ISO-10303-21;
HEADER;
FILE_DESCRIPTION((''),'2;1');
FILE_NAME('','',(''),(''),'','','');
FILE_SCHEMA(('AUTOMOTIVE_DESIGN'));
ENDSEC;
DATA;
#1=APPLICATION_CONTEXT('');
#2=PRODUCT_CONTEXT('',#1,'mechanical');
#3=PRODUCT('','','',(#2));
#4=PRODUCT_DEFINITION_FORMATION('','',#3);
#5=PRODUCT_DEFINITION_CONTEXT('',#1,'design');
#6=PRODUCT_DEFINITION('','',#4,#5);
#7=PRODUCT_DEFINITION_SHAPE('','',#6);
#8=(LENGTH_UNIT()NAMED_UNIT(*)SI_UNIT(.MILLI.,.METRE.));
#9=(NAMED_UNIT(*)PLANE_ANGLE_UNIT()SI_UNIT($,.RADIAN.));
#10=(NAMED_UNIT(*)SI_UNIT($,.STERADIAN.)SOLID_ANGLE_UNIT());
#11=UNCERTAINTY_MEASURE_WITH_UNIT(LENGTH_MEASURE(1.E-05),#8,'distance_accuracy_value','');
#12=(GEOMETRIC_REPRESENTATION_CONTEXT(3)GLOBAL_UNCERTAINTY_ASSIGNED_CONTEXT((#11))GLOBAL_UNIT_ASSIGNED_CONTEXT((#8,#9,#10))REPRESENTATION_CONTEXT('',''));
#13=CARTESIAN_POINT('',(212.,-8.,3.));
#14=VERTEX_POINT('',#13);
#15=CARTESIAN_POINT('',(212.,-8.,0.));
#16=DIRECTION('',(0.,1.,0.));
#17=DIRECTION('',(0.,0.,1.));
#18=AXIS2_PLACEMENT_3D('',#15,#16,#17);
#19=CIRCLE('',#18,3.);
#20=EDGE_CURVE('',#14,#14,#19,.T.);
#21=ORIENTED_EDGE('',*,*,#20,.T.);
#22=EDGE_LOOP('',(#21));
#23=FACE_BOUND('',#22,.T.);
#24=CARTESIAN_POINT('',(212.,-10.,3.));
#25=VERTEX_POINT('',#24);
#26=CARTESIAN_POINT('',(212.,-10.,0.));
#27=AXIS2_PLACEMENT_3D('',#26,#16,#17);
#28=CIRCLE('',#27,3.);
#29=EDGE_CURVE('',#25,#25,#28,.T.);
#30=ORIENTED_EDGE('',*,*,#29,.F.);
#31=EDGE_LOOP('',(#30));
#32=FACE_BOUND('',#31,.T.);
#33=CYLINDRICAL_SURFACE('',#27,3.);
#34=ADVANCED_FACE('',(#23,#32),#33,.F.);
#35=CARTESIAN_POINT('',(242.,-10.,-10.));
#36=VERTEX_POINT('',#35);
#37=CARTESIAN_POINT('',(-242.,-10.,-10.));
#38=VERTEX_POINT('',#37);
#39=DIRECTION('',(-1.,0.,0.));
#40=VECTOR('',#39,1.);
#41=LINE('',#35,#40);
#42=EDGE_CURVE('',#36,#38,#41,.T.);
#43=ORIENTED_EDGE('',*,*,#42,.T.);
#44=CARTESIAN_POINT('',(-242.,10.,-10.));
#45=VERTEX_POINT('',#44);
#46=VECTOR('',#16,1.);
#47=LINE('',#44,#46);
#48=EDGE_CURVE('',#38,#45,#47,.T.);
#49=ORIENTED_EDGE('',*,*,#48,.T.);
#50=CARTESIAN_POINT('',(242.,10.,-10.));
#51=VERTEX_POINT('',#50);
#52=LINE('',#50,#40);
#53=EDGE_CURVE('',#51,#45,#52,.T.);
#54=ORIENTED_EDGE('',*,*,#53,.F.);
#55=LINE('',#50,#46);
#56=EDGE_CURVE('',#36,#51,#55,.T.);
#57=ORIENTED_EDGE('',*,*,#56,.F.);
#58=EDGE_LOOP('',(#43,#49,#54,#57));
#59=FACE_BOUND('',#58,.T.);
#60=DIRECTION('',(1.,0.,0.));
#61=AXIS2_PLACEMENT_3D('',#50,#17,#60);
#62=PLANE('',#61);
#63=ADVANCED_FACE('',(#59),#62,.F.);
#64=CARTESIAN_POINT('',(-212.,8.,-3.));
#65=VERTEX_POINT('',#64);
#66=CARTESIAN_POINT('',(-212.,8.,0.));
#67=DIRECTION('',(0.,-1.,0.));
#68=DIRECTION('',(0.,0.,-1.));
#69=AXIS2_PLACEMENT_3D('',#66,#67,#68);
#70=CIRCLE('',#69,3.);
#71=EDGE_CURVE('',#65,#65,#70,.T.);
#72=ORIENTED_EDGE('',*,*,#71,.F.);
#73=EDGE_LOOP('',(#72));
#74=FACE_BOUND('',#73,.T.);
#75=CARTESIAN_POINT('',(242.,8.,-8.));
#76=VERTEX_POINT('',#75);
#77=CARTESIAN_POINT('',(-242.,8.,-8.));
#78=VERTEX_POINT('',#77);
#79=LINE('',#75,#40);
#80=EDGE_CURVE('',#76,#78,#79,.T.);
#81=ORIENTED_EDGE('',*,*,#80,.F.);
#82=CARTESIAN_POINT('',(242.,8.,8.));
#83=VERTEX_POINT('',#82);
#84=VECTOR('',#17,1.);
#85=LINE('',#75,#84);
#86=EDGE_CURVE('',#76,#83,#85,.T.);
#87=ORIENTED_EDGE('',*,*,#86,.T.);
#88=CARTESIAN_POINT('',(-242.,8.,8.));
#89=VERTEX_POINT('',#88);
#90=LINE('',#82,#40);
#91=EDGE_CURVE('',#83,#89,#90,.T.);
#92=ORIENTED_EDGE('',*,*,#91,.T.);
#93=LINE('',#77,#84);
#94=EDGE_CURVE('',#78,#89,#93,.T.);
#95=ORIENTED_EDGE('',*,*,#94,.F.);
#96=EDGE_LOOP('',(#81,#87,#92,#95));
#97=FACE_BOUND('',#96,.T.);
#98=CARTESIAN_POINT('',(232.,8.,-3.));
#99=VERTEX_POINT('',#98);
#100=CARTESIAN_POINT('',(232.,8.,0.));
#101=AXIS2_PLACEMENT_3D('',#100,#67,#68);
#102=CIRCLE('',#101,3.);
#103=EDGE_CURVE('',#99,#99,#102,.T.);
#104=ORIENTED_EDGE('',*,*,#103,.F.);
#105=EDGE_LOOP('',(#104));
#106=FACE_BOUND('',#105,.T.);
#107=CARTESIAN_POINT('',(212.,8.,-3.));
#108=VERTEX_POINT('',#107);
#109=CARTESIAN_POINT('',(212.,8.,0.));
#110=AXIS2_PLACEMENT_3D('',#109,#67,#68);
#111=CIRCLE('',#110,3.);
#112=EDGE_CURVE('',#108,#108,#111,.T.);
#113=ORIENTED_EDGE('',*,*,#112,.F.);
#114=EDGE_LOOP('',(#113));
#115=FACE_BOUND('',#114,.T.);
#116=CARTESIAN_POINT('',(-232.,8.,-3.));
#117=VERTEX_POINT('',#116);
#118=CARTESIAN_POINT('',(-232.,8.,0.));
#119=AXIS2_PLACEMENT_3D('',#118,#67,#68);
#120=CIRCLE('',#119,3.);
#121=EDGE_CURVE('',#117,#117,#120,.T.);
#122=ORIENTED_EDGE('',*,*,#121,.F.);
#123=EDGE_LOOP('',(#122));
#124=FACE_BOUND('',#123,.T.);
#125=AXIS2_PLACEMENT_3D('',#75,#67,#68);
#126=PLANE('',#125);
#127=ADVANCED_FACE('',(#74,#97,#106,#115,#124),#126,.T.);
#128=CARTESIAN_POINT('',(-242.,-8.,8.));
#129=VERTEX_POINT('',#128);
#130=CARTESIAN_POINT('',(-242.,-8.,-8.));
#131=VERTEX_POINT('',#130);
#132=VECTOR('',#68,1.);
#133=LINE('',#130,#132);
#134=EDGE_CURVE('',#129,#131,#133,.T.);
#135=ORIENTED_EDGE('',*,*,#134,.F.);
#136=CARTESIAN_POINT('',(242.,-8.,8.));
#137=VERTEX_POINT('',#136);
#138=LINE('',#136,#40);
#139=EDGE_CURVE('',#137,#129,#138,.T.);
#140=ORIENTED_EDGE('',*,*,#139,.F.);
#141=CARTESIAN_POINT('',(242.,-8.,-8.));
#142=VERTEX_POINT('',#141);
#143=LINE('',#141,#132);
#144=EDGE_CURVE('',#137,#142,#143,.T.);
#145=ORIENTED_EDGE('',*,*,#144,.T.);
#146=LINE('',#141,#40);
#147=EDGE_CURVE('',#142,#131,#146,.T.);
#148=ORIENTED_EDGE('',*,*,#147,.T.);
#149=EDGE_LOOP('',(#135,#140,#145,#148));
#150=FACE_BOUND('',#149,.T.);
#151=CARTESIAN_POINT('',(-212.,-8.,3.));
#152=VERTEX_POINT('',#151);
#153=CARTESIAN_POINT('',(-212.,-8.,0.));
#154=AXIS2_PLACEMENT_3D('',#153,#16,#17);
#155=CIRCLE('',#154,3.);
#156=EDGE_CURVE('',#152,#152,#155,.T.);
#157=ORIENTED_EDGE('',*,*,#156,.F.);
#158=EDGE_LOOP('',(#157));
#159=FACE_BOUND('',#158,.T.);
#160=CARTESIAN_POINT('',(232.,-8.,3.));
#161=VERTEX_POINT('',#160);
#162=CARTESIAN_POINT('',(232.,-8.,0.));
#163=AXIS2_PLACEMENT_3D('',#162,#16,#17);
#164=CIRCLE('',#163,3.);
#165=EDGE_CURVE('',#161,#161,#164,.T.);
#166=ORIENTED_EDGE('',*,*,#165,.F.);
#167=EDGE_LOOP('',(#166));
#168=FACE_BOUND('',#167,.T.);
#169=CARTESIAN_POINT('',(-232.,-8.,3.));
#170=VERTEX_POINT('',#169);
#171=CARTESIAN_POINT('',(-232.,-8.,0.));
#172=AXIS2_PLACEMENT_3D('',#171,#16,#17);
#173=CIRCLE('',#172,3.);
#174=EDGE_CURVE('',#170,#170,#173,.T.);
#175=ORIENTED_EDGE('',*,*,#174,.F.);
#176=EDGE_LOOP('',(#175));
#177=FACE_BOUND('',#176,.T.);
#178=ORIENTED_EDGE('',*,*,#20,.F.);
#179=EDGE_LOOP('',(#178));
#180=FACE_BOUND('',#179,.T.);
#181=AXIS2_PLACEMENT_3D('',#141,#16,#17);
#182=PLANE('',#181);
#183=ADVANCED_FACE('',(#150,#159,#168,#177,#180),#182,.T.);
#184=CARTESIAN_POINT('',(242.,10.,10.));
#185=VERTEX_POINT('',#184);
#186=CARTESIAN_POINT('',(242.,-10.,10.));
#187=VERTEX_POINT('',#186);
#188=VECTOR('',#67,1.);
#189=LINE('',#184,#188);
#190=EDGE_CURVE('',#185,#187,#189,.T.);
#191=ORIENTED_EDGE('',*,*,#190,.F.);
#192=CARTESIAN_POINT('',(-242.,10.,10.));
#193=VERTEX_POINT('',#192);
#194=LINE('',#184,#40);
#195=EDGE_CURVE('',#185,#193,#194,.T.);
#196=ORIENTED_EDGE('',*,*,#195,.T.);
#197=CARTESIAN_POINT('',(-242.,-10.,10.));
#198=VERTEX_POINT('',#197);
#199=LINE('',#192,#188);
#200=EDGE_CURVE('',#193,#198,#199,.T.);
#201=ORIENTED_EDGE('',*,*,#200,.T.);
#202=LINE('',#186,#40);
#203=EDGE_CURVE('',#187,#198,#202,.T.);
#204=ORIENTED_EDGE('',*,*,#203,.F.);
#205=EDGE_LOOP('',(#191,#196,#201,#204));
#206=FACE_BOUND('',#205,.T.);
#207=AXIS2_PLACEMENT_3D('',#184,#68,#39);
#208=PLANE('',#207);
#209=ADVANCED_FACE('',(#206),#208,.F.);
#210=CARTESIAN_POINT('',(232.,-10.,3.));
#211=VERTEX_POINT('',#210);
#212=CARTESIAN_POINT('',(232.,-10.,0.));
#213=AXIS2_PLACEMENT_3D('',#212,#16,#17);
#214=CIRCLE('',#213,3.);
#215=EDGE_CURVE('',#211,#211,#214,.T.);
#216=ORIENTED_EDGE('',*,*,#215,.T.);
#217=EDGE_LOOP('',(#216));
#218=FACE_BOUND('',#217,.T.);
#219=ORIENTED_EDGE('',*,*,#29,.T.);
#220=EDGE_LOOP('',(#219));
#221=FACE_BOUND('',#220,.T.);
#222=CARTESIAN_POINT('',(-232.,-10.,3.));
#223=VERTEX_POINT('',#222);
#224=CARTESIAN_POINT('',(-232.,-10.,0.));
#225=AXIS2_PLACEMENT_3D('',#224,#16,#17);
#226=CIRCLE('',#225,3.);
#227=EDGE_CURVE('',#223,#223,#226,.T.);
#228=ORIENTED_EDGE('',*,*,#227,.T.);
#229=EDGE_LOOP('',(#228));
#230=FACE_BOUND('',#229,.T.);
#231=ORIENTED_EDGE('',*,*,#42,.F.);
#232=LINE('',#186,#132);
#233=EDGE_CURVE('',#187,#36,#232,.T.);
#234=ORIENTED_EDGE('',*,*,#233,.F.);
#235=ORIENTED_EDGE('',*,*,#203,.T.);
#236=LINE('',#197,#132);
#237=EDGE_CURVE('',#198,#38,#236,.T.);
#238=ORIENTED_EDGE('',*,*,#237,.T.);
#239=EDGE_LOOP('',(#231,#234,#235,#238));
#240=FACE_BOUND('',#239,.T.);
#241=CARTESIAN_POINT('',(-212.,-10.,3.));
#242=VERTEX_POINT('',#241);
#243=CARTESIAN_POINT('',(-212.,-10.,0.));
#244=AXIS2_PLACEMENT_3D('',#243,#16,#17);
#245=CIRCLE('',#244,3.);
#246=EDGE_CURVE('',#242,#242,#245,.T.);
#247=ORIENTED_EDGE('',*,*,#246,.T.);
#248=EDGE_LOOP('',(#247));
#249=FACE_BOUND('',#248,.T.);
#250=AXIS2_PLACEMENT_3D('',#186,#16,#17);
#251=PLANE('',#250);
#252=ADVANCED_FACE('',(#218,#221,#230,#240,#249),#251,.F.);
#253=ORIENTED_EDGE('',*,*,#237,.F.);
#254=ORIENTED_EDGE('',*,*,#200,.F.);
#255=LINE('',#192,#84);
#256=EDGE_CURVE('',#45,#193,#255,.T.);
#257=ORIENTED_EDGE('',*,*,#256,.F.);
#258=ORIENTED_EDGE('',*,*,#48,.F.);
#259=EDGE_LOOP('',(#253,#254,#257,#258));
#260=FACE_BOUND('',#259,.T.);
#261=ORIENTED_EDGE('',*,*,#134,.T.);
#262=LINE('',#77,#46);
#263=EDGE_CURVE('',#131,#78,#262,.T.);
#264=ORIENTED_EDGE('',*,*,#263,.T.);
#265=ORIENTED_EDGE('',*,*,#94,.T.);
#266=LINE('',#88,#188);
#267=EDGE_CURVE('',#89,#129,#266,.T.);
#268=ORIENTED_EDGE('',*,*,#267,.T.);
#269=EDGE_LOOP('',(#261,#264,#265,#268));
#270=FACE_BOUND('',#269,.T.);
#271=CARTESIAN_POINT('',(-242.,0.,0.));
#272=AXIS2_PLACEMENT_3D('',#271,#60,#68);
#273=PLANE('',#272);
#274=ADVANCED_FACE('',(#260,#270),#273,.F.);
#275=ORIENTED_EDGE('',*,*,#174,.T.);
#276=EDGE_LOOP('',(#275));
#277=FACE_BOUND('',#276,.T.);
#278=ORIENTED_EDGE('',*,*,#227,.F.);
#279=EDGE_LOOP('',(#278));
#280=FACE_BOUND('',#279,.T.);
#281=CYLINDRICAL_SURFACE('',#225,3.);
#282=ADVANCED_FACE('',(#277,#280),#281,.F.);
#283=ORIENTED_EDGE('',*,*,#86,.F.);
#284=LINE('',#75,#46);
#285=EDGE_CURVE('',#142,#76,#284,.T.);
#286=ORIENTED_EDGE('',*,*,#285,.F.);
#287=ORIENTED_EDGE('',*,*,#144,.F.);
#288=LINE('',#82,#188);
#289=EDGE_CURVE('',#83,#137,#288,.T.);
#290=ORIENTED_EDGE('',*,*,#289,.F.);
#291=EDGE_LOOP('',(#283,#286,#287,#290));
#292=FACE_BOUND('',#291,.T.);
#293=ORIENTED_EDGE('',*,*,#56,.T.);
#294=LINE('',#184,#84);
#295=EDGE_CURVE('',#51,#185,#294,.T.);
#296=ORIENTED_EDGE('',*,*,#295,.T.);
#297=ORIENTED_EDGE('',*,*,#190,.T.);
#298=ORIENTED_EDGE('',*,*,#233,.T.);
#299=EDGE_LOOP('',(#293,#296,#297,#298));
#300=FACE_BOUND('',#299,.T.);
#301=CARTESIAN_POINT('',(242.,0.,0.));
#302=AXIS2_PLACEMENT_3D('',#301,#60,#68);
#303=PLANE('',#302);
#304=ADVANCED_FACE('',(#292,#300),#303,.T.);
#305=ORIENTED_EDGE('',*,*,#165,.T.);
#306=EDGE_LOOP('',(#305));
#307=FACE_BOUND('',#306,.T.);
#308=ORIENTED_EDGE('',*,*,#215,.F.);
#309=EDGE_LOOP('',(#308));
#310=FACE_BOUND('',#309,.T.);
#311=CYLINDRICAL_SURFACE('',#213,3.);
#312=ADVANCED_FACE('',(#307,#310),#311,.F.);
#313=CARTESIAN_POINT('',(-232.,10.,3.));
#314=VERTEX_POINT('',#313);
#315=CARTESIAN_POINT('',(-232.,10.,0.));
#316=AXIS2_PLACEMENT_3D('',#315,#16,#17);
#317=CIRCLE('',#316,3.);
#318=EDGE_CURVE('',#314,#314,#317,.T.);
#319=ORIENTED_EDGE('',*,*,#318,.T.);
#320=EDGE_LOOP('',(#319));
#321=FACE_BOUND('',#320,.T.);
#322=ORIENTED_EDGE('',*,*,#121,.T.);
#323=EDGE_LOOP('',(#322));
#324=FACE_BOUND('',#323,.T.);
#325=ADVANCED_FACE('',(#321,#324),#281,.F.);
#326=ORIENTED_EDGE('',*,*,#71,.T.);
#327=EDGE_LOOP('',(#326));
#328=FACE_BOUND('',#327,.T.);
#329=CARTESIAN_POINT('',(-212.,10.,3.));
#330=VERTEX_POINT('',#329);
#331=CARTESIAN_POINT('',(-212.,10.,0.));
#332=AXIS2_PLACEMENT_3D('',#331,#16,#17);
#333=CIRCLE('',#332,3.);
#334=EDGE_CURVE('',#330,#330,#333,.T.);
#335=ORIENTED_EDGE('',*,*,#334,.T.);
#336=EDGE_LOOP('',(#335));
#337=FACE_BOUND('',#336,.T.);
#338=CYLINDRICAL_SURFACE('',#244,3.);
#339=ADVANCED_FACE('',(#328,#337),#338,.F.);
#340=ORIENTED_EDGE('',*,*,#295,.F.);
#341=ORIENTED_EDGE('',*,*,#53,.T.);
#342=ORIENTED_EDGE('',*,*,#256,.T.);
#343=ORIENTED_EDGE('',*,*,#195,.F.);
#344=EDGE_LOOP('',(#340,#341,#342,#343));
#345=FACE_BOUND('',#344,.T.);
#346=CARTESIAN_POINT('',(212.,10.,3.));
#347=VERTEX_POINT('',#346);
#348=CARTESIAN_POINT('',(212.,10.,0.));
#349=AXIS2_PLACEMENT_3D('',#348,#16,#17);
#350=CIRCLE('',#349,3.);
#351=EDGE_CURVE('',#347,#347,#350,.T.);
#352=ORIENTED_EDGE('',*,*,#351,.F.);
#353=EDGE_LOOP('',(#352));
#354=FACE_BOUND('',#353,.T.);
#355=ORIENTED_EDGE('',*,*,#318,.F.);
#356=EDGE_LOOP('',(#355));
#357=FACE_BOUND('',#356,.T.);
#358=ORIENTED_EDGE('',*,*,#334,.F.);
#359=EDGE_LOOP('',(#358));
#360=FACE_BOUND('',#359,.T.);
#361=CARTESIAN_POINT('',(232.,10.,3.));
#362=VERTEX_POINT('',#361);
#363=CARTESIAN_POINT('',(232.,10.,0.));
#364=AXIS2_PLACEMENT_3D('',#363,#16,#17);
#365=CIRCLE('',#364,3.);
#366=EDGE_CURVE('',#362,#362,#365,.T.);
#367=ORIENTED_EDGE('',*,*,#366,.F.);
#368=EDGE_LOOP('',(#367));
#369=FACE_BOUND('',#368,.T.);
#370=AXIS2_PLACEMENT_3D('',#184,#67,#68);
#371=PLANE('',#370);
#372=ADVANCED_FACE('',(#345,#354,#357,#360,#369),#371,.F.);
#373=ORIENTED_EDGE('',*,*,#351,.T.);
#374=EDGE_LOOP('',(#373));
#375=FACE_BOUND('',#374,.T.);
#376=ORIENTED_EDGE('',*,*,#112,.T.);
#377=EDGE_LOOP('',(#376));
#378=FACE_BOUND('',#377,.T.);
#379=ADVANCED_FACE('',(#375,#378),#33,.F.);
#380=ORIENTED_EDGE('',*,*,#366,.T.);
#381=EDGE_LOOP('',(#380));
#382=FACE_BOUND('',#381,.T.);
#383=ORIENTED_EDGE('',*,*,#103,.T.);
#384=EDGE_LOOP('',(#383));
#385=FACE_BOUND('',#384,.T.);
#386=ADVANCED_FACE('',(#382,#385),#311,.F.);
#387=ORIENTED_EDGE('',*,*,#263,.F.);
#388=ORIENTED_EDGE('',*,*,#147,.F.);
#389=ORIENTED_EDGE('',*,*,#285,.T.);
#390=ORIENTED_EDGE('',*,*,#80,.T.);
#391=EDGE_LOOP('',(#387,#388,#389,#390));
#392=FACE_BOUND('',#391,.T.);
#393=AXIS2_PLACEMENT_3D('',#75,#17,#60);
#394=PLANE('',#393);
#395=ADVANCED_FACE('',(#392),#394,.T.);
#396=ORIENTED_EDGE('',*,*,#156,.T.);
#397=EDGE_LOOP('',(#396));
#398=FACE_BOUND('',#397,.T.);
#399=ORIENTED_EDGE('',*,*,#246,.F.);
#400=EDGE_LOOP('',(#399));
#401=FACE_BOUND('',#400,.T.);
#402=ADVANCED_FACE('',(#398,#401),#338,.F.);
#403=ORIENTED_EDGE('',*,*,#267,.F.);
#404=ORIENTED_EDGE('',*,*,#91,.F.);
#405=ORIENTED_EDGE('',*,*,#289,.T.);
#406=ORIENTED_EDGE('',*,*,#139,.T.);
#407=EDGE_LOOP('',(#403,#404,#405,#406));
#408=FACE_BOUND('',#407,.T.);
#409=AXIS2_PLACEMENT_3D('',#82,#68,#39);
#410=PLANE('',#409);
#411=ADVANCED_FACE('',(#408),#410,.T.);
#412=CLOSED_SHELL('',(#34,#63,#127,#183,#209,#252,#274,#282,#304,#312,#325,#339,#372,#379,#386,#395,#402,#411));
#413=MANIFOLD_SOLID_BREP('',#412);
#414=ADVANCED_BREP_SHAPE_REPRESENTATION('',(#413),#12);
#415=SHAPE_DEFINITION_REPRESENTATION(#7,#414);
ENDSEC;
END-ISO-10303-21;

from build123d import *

# Parameters (mm, degrees)
SKETCH1_W           = 20
SKETCH1_H           = 20
SKETCH1_W_2         = 16
SKETCH1_H_2         = 16
BOSS_EXTRUDE1_DEPTH = 242
SKETCH2_R           = 3
CUT_EXTRUDE1_DEPTH  = 244.030862238


with BuildPart() as part:
    # Sketch1 → Boss-Extrude1 (new, symmetric)
    with BuildSketch(Plane(origin=(0, 0, 0), x_dir=(0, 0, -1), z_dir=(1, 0, 0))):
        Rectangle(SKETCH1_W, SKETCH1_H)
        Rectangle(SKETCH1_W_2, SKETCH1_H_2, mode=Mode.SUBTRACT)
    extrude(amount=BOSS_EXTRUDE1_DEPTH, both=True)

    # Sketch2 → Cut-Extrude1 (cut, through all)
    with BuildSketch(Plane(origin=(0, 10, 0), x_dir=(1, 0, 0), z_dir=(0, 1, 0))):
        with Locations(Location((212, 0, 0), (0, 0, 270))):
            Circle(SKETCH2_R)
        with Locations(Location((232, 0, 0), (0, 0, 270))):
            Circle(SKETCH2_R)
        with Locations(Location((-232, 0, 0), (0, 0, 270))):
            Circle(SKETCH2_R)
        with Locations(Location((-212, 0, 0), (0, 0, 270))):
            Circle(SKETCH2_R)
    extrude(amount=-CUT_EXTRUDE1_DEPTH, mode=Mode.SUBTRACT)


solid = part.part
